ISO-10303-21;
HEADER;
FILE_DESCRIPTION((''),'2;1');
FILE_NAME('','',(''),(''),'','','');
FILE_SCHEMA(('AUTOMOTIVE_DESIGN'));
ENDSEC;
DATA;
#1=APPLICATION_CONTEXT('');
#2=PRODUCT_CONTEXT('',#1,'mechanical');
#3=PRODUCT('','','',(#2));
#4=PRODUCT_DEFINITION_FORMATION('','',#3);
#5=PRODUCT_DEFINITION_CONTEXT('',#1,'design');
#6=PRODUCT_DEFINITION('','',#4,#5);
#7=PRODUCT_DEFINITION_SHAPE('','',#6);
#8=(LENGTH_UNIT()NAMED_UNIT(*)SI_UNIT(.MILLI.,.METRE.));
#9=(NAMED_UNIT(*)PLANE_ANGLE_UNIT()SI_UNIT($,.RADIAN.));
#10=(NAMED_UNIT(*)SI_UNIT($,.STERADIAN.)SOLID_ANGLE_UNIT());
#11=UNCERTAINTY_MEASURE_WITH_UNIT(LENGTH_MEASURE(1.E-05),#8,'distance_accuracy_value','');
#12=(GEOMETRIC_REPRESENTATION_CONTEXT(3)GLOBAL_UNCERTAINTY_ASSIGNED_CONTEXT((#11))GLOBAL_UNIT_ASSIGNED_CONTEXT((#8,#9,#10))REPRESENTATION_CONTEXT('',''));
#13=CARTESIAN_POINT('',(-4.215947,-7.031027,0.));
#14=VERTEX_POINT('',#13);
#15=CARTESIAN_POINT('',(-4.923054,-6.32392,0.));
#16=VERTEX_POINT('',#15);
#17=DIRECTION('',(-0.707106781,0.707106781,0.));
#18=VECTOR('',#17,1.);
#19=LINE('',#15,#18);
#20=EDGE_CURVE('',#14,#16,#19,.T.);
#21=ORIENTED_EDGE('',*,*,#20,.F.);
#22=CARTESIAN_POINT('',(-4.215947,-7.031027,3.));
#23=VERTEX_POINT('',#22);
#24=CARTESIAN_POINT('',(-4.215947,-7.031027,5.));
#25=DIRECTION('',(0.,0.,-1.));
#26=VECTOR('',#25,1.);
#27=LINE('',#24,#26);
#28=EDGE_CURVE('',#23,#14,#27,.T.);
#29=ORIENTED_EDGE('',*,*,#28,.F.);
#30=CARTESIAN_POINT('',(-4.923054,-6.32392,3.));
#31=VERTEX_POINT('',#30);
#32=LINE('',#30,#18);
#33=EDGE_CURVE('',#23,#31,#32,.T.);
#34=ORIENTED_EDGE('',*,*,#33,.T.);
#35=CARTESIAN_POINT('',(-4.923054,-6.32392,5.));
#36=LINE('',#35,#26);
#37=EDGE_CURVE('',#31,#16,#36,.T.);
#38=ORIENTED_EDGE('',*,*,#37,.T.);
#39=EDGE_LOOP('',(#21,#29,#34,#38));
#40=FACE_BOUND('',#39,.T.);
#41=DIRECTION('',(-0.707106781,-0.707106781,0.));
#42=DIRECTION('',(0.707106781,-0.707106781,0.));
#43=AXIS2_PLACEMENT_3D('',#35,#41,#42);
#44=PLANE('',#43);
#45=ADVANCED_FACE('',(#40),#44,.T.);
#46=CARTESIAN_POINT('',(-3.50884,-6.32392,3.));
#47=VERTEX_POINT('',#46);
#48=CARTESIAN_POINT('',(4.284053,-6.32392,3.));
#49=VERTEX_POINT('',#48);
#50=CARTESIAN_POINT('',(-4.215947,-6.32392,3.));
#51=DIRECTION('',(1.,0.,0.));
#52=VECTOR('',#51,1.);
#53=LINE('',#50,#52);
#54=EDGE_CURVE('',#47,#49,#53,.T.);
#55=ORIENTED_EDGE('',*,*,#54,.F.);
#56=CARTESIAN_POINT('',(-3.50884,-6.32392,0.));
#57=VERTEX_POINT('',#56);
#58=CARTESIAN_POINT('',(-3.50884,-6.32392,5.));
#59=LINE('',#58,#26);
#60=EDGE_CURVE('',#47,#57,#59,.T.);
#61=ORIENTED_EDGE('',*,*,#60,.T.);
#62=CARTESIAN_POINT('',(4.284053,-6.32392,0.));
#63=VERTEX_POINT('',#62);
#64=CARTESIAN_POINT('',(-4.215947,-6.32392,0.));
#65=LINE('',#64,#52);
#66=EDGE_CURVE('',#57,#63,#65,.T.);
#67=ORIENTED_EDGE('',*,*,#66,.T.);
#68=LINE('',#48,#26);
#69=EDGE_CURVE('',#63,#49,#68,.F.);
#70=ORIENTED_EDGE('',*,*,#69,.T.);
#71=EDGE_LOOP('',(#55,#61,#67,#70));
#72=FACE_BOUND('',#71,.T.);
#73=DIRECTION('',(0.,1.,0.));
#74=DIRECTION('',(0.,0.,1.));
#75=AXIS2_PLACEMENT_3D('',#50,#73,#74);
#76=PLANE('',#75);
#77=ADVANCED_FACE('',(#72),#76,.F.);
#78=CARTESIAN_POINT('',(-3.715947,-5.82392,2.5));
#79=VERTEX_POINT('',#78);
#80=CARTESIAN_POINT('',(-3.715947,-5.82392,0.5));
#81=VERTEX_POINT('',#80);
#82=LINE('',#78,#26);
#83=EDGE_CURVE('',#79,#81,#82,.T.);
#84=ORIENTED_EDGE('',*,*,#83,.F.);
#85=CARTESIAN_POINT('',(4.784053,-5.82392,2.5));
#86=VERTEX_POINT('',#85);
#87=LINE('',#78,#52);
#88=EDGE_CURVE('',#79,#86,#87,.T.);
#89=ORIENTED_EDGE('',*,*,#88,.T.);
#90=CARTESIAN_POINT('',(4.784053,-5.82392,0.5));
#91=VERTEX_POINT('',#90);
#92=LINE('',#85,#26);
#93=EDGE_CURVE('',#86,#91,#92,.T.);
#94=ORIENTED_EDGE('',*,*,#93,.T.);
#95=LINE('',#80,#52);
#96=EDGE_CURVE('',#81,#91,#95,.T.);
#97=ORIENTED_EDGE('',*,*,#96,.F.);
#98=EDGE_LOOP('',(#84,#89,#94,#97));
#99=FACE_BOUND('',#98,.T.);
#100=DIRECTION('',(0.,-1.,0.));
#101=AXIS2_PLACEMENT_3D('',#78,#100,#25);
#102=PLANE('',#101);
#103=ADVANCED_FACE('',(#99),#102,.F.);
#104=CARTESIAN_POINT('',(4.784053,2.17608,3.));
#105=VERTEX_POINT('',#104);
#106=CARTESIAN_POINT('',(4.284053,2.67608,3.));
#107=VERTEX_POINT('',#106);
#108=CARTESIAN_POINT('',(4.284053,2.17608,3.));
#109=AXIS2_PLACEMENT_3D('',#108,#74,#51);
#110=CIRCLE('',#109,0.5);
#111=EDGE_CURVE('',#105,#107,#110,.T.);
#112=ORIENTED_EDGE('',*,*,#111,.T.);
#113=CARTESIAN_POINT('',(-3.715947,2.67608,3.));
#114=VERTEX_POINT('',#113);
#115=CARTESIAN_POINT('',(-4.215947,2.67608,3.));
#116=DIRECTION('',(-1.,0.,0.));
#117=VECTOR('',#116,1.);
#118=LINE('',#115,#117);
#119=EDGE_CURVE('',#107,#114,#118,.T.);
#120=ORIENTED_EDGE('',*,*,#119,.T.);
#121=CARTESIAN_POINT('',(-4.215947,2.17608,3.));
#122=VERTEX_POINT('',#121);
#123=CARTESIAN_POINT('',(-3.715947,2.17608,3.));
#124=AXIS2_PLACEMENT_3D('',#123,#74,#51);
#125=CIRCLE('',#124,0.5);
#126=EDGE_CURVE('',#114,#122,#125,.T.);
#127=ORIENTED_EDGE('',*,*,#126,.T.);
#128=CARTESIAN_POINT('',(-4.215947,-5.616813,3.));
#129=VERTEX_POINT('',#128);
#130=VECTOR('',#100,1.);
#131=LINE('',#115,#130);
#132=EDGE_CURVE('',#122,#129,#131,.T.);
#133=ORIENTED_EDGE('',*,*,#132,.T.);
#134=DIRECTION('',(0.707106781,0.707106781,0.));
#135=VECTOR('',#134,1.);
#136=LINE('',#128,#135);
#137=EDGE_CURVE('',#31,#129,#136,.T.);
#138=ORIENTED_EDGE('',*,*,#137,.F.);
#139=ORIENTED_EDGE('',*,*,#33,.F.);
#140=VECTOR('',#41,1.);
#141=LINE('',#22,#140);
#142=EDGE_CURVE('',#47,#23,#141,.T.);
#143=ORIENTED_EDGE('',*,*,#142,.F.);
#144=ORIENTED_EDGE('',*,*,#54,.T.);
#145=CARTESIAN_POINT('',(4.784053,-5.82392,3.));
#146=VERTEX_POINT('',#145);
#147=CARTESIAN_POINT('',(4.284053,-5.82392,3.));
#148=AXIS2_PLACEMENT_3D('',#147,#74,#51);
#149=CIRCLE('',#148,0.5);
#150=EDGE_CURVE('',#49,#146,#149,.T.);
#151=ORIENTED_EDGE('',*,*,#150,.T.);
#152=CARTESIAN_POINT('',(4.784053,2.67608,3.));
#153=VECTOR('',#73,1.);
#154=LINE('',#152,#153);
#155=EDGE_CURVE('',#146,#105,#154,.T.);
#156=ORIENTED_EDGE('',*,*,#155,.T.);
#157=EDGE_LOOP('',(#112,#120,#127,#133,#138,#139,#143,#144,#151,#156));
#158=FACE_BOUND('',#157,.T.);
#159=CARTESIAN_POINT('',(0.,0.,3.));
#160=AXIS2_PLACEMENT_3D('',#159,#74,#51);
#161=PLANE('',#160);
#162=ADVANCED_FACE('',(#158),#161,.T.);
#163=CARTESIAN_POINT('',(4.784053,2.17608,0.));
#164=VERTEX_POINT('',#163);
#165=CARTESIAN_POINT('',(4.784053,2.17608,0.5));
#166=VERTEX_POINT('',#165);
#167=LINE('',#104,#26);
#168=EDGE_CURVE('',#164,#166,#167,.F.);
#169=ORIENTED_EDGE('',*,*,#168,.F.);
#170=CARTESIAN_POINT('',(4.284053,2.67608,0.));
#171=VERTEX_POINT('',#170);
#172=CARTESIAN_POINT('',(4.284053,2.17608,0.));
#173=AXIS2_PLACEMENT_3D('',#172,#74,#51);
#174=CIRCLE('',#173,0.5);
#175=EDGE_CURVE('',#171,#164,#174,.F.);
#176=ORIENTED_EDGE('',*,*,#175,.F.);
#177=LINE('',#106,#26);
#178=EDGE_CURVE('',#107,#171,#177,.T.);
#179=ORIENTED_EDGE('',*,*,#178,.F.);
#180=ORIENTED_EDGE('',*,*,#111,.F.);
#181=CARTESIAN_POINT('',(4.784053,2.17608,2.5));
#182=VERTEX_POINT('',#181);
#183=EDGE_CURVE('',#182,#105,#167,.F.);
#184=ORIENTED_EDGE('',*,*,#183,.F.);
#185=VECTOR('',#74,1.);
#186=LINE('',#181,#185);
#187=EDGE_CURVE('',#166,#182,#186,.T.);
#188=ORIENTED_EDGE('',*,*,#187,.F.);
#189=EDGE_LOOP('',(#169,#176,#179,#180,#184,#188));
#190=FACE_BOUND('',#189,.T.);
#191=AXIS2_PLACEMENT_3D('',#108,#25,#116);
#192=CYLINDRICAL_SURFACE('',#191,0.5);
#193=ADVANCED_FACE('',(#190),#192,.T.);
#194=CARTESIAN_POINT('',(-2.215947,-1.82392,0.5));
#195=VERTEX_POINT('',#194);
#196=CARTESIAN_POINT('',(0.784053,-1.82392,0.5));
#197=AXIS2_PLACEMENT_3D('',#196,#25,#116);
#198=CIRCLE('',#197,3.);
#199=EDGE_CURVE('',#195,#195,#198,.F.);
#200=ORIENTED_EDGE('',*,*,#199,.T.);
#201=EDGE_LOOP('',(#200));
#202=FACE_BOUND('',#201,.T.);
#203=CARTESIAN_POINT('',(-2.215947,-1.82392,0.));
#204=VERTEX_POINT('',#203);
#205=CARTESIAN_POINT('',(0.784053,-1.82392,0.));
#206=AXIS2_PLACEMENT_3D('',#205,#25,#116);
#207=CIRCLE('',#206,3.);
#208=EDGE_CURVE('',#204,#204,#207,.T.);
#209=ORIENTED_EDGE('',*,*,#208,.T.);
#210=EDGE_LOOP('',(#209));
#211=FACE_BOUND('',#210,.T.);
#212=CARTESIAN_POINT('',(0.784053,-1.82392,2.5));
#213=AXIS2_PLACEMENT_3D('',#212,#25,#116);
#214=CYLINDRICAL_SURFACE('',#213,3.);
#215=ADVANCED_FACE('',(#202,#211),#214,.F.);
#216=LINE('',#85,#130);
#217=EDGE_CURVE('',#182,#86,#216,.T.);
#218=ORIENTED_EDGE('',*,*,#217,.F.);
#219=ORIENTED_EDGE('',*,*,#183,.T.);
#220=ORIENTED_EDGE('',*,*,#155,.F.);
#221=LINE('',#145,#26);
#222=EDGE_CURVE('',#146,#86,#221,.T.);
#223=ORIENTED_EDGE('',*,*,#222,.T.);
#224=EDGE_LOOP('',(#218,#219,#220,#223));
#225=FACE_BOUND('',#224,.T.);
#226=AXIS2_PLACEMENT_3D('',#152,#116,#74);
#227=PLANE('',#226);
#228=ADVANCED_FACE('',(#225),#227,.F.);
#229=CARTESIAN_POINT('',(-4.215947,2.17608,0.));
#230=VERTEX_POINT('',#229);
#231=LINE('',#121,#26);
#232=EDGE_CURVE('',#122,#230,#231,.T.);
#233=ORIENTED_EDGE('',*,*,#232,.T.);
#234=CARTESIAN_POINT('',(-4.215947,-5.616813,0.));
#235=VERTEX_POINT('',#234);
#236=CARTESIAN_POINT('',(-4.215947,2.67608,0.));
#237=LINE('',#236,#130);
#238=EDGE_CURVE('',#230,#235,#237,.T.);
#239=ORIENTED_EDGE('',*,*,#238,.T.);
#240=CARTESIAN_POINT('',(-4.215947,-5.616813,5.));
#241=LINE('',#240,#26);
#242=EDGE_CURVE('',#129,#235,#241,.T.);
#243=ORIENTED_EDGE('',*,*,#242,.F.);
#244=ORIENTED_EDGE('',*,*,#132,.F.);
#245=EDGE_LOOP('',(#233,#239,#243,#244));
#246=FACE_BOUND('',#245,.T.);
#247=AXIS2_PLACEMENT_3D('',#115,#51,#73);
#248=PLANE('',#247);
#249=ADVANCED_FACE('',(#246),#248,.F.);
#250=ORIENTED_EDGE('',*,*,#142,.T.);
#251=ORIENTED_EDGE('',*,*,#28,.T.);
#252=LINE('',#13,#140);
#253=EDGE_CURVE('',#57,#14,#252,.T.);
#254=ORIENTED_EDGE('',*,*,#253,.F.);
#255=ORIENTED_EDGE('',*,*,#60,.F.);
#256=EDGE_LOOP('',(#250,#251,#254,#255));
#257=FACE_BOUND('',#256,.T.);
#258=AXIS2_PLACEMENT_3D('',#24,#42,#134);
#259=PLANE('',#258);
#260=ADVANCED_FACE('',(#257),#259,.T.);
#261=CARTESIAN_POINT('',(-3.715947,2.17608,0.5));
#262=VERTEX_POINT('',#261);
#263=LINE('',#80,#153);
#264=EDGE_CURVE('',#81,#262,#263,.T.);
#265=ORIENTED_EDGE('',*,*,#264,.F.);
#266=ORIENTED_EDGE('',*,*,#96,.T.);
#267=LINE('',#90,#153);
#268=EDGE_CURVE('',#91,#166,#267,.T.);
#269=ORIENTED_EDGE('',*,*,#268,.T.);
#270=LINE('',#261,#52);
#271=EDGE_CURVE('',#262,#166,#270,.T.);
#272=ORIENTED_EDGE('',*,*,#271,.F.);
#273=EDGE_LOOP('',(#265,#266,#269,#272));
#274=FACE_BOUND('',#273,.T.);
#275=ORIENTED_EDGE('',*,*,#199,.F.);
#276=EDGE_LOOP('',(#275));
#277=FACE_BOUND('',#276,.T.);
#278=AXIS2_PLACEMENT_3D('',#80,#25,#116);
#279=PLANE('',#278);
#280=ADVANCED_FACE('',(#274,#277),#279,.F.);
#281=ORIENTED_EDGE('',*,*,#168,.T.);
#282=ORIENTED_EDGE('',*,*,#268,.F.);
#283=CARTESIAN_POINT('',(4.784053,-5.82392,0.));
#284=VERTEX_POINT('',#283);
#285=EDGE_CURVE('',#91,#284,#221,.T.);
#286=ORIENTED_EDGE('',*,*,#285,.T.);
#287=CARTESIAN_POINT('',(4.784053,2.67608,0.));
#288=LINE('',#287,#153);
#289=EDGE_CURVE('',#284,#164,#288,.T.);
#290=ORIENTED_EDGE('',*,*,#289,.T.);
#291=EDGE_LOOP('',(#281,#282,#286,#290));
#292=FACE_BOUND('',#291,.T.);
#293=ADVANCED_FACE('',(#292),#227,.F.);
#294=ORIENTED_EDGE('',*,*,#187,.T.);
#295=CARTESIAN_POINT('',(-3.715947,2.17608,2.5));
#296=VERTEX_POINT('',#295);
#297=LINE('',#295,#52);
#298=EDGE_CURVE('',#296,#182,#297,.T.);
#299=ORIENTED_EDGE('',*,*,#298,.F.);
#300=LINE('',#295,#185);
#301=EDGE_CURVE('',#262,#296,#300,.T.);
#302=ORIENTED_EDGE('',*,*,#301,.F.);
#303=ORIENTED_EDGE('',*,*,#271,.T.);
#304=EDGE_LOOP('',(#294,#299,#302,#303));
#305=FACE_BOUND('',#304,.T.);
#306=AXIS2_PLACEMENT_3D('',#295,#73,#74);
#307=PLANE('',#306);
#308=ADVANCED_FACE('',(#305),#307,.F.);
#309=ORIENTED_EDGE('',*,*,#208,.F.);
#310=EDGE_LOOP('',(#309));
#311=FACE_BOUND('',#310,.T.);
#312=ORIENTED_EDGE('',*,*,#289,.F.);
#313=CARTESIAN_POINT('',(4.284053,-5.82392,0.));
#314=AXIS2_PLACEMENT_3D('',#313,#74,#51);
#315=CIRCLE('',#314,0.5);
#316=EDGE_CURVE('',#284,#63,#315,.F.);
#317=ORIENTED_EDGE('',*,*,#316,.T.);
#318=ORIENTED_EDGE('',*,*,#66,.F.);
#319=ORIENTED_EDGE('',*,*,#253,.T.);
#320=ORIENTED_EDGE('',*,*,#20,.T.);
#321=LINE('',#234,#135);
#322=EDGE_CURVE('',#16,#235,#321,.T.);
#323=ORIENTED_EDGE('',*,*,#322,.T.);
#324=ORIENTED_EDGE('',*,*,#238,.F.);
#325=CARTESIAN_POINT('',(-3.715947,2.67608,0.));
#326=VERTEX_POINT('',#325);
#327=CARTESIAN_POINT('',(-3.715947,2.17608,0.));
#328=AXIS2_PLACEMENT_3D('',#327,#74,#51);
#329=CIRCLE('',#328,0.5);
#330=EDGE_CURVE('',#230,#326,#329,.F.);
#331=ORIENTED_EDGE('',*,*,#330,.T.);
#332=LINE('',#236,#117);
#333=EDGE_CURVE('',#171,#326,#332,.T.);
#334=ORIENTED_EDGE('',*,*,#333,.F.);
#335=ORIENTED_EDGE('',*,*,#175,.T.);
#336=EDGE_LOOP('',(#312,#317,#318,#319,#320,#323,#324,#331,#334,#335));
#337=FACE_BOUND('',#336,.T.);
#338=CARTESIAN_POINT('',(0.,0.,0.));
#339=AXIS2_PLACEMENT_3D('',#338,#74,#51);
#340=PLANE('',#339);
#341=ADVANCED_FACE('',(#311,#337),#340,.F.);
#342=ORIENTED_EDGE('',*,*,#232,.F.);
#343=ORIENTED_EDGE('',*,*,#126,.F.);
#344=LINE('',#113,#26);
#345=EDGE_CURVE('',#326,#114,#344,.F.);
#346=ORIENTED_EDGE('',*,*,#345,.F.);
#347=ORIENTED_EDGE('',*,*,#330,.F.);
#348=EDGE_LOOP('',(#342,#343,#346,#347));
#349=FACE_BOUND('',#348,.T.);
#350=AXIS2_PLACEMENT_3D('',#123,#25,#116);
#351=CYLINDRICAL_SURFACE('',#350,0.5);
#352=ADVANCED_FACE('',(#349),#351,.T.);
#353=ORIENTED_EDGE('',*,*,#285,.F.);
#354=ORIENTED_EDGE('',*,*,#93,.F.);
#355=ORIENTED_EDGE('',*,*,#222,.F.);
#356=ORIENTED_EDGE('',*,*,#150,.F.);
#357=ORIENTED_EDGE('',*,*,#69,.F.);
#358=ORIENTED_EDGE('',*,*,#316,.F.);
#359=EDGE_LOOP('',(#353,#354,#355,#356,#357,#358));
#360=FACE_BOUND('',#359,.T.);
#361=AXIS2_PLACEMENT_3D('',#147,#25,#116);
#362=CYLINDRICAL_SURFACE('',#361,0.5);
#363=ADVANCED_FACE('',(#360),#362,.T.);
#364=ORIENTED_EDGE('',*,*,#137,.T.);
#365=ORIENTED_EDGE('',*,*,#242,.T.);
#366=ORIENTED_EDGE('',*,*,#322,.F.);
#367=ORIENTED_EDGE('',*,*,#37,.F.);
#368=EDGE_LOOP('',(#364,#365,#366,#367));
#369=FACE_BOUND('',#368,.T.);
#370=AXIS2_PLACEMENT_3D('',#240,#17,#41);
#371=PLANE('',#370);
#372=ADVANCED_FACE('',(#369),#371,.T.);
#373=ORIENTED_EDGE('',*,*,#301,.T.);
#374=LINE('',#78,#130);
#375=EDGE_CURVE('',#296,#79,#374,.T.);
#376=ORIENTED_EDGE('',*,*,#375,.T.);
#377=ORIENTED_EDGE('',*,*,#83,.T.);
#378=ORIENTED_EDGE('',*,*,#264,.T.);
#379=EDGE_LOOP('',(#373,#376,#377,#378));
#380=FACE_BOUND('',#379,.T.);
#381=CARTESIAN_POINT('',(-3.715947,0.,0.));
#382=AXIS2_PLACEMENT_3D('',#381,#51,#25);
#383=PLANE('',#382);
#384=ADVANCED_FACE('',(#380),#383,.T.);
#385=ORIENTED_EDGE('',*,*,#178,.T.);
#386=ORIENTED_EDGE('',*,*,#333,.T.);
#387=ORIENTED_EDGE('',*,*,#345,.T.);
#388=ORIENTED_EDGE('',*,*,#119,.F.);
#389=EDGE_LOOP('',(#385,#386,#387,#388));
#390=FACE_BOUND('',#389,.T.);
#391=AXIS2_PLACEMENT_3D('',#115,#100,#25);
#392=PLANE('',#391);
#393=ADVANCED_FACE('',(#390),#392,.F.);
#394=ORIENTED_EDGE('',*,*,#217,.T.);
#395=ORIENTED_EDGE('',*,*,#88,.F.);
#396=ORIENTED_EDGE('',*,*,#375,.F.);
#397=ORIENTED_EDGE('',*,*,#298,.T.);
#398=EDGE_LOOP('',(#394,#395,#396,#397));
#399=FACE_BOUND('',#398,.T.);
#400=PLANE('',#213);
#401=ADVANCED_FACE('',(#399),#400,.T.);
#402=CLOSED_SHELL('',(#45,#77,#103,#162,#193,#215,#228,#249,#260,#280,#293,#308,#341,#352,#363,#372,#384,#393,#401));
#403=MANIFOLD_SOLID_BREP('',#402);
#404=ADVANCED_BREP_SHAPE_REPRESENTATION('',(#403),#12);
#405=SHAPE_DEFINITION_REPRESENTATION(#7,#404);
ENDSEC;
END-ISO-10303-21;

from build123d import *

# Parameters (mm, degrees)
SKETCH_1_W          = 9
SKETCH_1_H          = 9
EXTRUDE_1_DEPTH     = 3
FILLET_1_R          = 0.5
SKETCH_2_R          = 3
CUT_EXTRUDE_1_DEPTH = 2.5
SKETCH_3_W          = 2
SKETCH_3_H          = 8
CUT_EXTRUDE_2_DEPTH = 8.5
EXTRUDE_2_DEPTH     = 3


with BuildPart() as part:
    # 草图1 → 凸台-拉伸1 (new body)
    with BuildSketch(Plane.XY):
        with Locations((0.284053156, -1.823920266)):
            Rectangle(SKETCH_1_W, SKETCH_1_H)
    extrude(amount=EXTRUDE_1_DEPTH)

    # 圆角1
    fillet_1_edges = [part.edges().sort_by_distance(p)[0] for p in [
        (-4.215946844, 2.676079734, 1.5),
        (4.784053156, 2.676079734, 1.5),
        (4.784053156, -6.323920266, 1.5),
        (-4.215946844, -6.323920266, 1.5),
    ]]
    fillet(fillet_1_edges, radius=FILLET_1_R)

    # 草图2 → 切除-拉伸1 (cut)
    with BuildSketch(Plane(origin=(0, 0, 0), x_dir=(-1, 0, 0), z_dir=(0, 0, -1))):
        with Locations((-0.784053156, -1.823920266)):
            Circle(SKETCH_2_R)
    extrude(amount=-CUT_EXTRUDE_1_DEPTH, mode=Mode.SUBTRACT)

    # 草图3 → 切除-拉伸2 (cut)
    with BuildSketch(Plane(origin=(4.784053156, 0, 0), x_dir=(0, 0, -1), z_dir=(1, 0, 0))):
        with Locations((-1.5, -1.823920266)):
            Rectangle(SKETCH_3_W, SKETCH_3_H)
    extrude(amount=-CUT_EXTRUDE_2_DEPTH, mode=Mode.SUBTRACT)

    # 草图4 → 凸台-拉伸2 (add)
    with BuildSketch(Plane(origin=(0, 0, 0), x_dir=(-1, 0, 0), z_dir=(0, 0, -1))):
        Polygon((4.215946844, -5.616813485), (3.508840063, -6.323920266), (4.215946844, -7.031027047), (4.923053625, -6.323920266), align=None)
    extrude(amount=-EXTRUDE_2_DEPTH)


solid = part.part
